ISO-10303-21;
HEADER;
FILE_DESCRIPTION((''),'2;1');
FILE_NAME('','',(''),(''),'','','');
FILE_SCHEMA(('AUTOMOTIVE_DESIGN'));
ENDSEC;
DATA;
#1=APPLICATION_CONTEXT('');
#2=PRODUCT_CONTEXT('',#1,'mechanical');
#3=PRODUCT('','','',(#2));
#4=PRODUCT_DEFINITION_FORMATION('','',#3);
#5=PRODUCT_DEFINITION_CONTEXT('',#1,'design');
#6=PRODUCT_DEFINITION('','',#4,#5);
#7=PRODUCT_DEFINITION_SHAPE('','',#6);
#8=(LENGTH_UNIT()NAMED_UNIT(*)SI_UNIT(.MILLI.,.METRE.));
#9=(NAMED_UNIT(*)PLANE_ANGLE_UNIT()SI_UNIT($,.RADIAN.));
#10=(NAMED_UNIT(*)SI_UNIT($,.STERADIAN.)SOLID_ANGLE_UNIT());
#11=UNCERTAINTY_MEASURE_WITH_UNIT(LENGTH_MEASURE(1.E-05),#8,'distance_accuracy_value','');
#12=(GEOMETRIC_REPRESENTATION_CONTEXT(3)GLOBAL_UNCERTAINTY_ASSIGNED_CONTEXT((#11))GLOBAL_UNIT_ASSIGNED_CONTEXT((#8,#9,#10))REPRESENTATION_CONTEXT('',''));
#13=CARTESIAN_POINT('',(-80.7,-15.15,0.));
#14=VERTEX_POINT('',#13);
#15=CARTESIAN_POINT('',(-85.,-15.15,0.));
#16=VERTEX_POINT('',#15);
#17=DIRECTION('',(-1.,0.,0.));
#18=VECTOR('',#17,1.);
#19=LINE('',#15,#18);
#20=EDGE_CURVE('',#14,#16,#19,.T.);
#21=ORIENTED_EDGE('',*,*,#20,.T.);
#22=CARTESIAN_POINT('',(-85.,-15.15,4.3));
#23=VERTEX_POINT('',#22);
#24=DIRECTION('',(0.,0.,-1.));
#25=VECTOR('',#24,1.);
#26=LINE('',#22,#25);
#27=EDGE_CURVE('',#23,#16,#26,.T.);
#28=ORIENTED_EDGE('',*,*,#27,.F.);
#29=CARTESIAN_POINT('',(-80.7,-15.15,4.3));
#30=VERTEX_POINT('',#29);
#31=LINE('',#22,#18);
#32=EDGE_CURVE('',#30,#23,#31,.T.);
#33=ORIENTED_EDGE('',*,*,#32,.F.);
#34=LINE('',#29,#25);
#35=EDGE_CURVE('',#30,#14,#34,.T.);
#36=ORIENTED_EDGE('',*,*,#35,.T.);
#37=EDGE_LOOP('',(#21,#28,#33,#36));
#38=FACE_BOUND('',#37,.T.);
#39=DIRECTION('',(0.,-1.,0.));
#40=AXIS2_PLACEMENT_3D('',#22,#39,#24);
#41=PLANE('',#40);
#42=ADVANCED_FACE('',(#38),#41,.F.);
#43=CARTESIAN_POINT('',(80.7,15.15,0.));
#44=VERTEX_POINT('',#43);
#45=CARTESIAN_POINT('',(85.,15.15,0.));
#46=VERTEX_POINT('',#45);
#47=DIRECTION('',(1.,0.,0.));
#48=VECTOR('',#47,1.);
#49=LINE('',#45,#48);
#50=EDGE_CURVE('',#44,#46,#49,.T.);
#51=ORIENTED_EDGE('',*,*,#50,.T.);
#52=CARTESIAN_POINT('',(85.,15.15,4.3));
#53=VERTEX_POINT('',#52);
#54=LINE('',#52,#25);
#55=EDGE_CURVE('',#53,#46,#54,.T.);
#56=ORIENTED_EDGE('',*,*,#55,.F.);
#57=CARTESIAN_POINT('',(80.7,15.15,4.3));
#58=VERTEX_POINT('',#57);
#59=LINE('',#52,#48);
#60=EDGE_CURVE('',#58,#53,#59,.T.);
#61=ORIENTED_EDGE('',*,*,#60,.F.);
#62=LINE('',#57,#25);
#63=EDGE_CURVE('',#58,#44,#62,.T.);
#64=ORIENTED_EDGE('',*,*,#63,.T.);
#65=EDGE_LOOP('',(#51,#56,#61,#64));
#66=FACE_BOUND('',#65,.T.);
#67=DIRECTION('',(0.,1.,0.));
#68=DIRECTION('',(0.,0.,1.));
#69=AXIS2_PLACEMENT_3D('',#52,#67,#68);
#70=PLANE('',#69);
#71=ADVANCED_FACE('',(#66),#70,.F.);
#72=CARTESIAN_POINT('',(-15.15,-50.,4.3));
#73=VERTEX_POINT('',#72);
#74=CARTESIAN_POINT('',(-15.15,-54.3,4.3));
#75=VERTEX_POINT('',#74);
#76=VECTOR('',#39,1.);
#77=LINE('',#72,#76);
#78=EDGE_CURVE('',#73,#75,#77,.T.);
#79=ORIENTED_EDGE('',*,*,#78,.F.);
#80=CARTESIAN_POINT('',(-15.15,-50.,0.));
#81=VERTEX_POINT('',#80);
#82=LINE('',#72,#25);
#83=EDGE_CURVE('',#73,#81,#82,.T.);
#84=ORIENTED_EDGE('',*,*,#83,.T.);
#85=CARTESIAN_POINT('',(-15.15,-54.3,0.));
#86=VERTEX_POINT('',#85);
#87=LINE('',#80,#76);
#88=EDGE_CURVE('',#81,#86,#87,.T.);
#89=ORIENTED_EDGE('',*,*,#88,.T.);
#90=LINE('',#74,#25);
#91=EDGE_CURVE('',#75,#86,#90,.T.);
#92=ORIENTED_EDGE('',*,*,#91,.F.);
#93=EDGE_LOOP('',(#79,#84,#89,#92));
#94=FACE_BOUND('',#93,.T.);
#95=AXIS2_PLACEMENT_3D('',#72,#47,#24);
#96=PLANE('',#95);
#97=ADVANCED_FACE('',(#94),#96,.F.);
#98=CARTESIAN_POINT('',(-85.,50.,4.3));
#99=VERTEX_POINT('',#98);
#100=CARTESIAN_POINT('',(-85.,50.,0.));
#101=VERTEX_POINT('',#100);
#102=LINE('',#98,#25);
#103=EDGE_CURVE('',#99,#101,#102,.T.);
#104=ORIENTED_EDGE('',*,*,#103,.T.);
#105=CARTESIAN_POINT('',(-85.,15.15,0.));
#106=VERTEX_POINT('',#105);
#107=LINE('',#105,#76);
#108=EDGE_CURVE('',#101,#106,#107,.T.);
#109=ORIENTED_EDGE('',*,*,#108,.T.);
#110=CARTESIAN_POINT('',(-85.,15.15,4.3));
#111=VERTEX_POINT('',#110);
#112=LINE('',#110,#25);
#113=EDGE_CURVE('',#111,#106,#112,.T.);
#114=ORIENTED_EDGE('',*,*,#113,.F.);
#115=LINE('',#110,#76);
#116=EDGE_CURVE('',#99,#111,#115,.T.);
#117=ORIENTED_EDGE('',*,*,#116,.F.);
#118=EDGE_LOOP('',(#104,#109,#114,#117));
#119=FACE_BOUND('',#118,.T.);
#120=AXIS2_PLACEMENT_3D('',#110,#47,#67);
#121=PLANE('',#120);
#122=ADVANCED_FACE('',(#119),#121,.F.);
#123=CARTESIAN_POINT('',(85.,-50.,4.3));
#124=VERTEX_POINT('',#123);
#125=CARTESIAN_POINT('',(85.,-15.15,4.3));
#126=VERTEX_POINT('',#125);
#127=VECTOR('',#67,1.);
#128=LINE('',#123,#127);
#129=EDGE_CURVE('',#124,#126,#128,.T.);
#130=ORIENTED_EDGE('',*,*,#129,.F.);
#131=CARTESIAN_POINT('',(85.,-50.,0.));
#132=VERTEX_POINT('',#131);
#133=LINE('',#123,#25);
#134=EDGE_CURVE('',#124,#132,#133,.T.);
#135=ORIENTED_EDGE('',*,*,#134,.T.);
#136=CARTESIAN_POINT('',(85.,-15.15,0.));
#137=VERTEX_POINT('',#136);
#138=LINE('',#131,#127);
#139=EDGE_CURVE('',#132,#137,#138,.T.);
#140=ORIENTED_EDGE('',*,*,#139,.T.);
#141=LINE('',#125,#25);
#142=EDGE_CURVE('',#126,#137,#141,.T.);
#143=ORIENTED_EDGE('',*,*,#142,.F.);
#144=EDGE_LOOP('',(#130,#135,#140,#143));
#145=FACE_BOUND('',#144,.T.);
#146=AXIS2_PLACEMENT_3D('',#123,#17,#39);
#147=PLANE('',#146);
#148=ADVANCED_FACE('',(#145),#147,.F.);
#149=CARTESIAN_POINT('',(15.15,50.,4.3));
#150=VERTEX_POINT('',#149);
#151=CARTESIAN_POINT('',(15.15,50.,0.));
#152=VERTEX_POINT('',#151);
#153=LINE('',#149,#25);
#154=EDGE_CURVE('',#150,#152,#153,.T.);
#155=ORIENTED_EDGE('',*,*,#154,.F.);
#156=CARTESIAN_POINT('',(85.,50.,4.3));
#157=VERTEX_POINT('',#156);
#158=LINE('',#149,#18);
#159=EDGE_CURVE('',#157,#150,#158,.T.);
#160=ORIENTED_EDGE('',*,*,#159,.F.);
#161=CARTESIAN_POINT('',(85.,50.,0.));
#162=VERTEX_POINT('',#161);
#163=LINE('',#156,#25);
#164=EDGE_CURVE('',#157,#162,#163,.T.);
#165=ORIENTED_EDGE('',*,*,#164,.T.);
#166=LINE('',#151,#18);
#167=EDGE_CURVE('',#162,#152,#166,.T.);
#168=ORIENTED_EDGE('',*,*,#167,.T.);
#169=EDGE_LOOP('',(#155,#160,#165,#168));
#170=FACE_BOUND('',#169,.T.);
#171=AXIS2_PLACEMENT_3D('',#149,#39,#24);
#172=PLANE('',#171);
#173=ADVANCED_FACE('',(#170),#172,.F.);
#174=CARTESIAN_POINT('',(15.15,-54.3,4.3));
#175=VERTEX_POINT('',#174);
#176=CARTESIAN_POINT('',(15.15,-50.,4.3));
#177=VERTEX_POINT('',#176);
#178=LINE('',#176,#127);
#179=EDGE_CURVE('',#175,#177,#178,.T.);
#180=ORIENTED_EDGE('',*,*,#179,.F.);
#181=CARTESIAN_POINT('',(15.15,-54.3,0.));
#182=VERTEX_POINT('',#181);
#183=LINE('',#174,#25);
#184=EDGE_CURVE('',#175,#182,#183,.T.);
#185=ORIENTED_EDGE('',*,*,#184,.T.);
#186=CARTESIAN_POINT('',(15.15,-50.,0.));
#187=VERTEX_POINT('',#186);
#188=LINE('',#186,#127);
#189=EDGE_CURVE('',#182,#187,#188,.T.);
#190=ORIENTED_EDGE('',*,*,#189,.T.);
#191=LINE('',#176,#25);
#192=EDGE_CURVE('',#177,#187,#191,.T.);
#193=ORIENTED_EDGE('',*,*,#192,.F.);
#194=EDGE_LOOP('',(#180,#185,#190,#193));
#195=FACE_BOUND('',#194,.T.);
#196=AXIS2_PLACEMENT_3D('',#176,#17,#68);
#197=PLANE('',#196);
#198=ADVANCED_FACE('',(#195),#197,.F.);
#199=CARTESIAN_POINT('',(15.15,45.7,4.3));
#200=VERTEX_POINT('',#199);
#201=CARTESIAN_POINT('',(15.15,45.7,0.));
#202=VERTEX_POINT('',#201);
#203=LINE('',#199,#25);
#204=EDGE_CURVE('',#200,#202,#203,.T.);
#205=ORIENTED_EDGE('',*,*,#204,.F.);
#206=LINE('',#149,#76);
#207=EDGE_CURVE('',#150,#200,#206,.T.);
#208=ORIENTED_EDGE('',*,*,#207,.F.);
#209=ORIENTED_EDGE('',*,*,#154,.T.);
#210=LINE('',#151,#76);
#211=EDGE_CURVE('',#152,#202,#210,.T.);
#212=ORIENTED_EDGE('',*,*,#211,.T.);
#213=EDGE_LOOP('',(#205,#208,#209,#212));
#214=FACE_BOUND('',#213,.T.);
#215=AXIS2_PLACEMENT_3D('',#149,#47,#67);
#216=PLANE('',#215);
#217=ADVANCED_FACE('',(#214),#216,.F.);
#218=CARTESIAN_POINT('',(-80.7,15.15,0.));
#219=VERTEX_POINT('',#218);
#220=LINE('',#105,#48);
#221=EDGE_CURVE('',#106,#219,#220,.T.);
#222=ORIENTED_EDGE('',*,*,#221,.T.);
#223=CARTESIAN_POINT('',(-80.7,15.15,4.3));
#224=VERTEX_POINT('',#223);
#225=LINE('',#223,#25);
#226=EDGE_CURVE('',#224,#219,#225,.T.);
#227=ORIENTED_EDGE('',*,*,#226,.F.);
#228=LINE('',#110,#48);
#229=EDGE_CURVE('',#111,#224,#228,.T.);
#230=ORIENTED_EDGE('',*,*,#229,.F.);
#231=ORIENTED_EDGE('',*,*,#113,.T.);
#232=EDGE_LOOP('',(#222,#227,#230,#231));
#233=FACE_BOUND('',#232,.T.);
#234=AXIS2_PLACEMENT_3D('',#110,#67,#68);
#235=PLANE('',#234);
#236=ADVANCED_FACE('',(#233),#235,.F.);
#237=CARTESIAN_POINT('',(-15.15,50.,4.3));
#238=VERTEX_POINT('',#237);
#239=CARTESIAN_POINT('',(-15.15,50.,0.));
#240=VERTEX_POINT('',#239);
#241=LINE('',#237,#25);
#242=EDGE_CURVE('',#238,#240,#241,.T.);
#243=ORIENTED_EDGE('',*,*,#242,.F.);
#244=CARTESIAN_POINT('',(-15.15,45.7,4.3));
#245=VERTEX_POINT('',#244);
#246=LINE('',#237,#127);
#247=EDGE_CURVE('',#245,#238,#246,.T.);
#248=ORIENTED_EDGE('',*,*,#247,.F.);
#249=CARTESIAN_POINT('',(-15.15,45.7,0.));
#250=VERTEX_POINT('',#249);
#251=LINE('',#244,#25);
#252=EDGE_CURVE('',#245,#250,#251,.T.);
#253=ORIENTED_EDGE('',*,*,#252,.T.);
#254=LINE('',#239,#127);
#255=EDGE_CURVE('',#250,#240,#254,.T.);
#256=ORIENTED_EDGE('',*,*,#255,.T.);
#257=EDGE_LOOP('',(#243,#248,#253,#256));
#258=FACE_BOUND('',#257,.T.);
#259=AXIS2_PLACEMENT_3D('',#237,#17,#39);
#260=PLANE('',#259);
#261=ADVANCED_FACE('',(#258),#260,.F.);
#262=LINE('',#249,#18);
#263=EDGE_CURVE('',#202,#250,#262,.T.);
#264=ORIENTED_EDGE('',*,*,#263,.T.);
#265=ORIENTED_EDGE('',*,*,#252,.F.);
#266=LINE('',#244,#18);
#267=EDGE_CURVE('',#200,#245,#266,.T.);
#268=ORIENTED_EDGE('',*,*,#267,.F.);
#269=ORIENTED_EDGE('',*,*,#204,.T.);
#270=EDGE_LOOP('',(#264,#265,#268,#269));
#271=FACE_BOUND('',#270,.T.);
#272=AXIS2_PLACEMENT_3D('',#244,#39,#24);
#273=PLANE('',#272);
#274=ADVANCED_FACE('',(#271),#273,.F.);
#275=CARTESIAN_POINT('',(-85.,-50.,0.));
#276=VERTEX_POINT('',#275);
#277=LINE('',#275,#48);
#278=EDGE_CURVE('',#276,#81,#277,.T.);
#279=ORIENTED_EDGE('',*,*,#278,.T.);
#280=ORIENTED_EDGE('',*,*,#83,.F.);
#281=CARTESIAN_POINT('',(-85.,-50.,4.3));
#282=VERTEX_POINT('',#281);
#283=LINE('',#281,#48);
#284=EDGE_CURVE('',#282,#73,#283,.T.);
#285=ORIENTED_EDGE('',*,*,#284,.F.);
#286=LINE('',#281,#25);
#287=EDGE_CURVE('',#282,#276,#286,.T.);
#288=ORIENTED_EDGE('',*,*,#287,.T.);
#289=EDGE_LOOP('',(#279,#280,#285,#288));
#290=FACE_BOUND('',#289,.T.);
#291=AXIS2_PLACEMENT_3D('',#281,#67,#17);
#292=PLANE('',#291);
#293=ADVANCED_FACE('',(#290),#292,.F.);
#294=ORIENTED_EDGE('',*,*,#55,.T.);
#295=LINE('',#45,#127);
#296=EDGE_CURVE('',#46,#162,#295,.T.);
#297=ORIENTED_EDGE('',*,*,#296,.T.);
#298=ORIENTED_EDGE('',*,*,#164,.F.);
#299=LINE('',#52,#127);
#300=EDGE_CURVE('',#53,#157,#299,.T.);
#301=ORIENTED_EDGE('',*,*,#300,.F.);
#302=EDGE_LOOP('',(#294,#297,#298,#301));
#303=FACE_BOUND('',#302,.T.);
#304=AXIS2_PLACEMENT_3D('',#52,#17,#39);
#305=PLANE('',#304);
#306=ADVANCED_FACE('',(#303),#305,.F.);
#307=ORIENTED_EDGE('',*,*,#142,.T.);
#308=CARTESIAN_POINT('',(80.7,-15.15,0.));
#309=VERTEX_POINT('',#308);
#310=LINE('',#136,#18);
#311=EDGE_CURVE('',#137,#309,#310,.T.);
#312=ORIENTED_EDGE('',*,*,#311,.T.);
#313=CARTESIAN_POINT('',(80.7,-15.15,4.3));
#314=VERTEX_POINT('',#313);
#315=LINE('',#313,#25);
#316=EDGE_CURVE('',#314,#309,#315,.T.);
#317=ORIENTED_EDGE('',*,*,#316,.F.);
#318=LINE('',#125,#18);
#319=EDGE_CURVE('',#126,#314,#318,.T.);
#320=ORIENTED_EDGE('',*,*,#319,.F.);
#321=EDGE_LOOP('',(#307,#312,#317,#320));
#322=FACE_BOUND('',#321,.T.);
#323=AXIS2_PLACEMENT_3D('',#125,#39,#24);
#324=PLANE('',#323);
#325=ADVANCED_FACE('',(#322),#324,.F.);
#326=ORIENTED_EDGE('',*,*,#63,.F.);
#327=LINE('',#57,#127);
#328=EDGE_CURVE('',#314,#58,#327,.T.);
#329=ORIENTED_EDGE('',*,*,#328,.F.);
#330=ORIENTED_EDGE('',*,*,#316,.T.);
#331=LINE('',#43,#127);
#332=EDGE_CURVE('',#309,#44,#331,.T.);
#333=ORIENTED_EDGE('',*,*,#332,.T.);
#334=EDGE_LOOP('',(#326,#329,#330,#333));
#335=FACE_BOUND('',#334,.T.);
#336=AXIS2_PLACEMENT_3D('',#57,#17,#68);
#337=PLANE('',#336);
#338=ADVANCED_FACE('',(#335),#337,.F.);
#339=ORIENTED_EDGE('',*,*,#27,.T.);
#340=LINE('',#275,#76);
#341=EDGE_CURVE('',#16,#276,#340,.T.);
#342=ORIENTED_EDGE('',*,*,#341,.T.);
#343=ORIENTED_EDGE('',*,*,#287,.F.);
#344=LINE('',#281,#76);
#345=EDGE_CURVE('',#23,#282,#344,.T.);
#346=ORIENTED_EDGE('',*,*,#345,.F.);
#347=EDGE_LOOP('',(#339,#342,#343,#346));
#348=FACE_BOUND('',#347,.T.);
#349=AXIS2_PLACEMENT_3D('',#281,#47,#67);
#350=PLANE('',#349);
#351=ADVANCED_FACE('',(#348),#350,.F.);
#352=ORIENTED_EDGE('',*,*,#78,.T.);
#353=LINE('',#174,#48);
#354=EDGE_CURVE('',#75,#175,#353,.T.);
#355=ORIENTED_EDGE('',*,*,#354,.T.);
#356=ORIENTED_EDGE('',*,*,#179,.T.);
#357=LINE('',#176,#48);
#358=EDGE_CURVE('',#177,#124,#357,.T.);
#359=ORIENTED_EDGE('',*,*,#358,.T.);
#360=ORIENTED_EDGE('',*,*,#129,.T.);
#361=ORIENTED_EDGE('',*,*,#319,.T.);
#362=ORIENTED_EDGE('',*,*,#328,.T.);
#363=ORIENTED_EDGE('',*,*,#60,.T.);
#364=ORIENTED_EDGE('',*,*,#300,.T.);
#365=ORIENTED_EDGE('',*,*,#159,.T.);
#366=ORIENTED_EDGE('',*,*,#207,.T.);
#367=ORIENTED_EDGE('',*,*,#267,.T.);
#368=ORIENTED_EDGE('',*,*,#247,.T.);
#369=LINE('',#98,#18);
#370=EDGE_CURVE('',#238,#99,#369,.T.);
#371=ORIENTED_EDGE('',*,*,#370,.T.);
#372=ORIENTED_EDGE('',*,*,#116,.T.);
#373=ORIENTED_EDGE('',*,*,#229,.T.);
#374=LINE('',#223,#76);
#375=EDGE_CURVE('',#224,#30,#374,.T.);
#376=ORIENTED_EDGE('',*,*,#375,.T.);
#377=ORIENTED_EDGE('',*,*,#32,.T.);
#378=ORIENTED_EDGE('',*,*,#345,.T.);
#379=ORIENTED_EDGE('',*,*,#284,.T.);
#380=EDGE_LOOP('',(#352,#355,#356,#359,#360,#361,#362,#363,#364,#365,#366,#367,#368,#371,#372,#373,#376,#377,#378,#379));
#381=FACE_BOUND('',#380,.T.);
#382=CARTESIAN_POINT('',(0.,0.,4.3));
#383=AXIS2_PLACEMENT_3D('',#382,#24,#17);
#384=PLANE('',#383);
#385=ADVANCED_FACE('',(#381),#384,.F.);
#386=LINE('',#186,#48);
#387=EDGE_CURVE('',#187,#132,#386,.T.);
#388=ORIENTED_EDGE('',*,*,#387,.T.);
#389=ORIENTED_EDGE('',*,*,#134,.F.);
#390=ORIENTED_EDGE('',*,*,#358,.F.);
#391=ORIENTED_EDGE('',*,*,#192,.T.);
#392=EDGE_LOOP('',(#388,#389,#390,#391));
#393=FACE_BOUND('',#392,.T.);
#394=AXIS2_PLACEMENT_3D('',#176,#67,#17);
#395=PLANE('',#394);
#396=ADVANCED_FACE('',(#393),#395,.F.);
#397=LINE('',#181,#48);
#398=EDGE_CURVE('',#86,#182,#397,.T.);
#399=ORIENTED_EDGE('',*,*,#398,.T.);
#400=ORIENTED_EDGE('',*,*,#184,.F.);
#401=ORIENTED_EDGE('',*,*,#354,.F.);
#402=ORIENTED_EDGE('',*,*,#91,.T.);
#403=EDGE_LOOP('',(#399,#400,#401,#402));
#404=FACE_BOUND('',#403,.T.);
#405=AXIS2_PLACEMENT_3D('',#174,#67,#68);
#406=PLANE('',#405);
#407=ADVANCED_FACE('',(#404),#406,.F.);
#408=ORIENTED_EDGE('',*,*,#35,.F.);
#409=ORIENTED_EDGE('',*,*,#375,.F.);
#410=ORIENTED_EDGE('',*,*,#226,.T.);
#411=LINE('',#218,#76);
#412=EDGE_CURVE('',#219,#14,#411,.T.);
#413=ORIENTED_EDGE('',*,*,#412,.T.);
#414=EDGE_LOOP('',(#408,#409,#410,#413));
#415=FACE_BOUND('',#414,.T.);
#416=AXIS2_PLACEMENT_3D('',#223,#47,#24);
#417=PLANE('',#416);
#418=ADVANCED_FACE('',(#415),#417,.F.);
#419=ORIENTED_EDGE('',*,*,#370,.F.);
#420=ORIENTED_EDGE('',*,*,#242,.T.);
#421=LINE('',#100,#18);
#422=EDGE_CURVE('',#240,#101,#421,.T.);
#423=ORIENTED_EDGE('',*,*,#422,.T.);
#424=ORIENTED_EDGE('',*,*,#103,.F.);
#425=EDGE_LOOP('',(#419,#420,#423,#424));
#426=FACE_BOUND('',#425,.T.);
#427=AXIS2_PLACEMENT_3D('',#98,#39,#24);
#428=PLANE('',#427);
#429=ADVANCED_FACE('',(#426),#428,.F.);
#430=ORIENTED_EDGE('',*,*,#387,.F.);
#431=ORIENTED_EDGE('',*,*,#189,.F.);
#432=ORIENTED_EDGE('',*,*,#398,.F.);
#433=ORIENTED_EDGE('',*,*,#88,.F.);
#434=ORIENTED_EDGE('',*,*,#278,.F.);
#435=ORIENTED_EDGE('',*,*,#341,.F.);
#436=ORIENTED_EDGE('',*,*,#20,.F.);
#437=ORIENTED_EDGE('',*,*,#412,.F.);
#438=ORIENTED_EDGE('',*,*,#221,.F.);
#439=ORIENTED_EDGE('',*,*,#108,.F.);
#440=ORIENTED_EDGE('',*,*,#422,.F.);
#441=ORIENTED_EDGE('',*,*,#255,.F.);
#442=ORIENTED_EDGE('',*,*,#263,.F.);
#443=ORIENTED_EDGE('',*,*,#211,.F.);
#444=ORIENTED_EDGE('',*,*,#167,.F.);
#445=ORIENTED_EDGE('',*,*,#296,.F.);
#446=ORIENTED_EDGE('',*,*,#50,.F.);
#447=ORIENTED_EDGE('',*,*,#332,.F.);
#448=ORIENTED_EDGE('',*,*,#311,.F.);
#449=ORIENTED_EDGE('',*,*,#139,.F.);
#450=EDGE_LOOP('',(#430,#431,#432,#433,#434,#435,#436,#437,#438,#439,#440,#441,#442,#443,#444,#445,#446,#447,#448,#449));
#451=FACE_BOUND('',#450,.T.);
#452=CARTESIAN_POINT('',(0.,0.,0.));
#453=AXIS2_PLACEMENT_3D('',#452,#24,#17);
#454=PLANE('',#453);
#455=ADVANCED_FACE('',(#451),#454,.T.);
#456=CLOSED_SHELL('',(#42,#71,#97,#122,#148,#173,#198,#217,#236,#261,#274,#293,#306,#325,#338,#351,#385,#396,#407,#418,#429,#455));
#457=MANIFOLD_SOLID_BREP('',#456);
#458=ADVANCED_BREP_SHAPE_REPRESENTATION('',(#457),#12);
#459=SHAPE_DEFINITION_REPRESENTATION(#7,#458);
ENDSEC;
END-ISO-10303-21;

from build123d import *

# Parameters (mm, degrees)
BOSS_EXTRUDE1_DEPTH = 4.3


with BuildPart() as part:
    # Sketch1 → Boss-Extrude1 (new body)
    with BuildSketch(Plane.XY):
        Polygon((-85, 15.15), (-85, 50), (-15.15, 50), (-15.15, 45.7), (15.15, 45.7), (15.15, 50), (85, 50), (85, 15.15), (80.7, 15.15), (80.7, -15.15), (85, -15.15), (85, -50), (15.15, -50), (15.15, -54.3), (-15.15, -54.3), (-15.15, -50), (-85, -50), (-85, -15.15), (-80.7, -15.15), (-80.7, 15.15), align=None)
    extrude(amount=BOSS_EXTRUDE1_DEPTH)


solid = part.part
